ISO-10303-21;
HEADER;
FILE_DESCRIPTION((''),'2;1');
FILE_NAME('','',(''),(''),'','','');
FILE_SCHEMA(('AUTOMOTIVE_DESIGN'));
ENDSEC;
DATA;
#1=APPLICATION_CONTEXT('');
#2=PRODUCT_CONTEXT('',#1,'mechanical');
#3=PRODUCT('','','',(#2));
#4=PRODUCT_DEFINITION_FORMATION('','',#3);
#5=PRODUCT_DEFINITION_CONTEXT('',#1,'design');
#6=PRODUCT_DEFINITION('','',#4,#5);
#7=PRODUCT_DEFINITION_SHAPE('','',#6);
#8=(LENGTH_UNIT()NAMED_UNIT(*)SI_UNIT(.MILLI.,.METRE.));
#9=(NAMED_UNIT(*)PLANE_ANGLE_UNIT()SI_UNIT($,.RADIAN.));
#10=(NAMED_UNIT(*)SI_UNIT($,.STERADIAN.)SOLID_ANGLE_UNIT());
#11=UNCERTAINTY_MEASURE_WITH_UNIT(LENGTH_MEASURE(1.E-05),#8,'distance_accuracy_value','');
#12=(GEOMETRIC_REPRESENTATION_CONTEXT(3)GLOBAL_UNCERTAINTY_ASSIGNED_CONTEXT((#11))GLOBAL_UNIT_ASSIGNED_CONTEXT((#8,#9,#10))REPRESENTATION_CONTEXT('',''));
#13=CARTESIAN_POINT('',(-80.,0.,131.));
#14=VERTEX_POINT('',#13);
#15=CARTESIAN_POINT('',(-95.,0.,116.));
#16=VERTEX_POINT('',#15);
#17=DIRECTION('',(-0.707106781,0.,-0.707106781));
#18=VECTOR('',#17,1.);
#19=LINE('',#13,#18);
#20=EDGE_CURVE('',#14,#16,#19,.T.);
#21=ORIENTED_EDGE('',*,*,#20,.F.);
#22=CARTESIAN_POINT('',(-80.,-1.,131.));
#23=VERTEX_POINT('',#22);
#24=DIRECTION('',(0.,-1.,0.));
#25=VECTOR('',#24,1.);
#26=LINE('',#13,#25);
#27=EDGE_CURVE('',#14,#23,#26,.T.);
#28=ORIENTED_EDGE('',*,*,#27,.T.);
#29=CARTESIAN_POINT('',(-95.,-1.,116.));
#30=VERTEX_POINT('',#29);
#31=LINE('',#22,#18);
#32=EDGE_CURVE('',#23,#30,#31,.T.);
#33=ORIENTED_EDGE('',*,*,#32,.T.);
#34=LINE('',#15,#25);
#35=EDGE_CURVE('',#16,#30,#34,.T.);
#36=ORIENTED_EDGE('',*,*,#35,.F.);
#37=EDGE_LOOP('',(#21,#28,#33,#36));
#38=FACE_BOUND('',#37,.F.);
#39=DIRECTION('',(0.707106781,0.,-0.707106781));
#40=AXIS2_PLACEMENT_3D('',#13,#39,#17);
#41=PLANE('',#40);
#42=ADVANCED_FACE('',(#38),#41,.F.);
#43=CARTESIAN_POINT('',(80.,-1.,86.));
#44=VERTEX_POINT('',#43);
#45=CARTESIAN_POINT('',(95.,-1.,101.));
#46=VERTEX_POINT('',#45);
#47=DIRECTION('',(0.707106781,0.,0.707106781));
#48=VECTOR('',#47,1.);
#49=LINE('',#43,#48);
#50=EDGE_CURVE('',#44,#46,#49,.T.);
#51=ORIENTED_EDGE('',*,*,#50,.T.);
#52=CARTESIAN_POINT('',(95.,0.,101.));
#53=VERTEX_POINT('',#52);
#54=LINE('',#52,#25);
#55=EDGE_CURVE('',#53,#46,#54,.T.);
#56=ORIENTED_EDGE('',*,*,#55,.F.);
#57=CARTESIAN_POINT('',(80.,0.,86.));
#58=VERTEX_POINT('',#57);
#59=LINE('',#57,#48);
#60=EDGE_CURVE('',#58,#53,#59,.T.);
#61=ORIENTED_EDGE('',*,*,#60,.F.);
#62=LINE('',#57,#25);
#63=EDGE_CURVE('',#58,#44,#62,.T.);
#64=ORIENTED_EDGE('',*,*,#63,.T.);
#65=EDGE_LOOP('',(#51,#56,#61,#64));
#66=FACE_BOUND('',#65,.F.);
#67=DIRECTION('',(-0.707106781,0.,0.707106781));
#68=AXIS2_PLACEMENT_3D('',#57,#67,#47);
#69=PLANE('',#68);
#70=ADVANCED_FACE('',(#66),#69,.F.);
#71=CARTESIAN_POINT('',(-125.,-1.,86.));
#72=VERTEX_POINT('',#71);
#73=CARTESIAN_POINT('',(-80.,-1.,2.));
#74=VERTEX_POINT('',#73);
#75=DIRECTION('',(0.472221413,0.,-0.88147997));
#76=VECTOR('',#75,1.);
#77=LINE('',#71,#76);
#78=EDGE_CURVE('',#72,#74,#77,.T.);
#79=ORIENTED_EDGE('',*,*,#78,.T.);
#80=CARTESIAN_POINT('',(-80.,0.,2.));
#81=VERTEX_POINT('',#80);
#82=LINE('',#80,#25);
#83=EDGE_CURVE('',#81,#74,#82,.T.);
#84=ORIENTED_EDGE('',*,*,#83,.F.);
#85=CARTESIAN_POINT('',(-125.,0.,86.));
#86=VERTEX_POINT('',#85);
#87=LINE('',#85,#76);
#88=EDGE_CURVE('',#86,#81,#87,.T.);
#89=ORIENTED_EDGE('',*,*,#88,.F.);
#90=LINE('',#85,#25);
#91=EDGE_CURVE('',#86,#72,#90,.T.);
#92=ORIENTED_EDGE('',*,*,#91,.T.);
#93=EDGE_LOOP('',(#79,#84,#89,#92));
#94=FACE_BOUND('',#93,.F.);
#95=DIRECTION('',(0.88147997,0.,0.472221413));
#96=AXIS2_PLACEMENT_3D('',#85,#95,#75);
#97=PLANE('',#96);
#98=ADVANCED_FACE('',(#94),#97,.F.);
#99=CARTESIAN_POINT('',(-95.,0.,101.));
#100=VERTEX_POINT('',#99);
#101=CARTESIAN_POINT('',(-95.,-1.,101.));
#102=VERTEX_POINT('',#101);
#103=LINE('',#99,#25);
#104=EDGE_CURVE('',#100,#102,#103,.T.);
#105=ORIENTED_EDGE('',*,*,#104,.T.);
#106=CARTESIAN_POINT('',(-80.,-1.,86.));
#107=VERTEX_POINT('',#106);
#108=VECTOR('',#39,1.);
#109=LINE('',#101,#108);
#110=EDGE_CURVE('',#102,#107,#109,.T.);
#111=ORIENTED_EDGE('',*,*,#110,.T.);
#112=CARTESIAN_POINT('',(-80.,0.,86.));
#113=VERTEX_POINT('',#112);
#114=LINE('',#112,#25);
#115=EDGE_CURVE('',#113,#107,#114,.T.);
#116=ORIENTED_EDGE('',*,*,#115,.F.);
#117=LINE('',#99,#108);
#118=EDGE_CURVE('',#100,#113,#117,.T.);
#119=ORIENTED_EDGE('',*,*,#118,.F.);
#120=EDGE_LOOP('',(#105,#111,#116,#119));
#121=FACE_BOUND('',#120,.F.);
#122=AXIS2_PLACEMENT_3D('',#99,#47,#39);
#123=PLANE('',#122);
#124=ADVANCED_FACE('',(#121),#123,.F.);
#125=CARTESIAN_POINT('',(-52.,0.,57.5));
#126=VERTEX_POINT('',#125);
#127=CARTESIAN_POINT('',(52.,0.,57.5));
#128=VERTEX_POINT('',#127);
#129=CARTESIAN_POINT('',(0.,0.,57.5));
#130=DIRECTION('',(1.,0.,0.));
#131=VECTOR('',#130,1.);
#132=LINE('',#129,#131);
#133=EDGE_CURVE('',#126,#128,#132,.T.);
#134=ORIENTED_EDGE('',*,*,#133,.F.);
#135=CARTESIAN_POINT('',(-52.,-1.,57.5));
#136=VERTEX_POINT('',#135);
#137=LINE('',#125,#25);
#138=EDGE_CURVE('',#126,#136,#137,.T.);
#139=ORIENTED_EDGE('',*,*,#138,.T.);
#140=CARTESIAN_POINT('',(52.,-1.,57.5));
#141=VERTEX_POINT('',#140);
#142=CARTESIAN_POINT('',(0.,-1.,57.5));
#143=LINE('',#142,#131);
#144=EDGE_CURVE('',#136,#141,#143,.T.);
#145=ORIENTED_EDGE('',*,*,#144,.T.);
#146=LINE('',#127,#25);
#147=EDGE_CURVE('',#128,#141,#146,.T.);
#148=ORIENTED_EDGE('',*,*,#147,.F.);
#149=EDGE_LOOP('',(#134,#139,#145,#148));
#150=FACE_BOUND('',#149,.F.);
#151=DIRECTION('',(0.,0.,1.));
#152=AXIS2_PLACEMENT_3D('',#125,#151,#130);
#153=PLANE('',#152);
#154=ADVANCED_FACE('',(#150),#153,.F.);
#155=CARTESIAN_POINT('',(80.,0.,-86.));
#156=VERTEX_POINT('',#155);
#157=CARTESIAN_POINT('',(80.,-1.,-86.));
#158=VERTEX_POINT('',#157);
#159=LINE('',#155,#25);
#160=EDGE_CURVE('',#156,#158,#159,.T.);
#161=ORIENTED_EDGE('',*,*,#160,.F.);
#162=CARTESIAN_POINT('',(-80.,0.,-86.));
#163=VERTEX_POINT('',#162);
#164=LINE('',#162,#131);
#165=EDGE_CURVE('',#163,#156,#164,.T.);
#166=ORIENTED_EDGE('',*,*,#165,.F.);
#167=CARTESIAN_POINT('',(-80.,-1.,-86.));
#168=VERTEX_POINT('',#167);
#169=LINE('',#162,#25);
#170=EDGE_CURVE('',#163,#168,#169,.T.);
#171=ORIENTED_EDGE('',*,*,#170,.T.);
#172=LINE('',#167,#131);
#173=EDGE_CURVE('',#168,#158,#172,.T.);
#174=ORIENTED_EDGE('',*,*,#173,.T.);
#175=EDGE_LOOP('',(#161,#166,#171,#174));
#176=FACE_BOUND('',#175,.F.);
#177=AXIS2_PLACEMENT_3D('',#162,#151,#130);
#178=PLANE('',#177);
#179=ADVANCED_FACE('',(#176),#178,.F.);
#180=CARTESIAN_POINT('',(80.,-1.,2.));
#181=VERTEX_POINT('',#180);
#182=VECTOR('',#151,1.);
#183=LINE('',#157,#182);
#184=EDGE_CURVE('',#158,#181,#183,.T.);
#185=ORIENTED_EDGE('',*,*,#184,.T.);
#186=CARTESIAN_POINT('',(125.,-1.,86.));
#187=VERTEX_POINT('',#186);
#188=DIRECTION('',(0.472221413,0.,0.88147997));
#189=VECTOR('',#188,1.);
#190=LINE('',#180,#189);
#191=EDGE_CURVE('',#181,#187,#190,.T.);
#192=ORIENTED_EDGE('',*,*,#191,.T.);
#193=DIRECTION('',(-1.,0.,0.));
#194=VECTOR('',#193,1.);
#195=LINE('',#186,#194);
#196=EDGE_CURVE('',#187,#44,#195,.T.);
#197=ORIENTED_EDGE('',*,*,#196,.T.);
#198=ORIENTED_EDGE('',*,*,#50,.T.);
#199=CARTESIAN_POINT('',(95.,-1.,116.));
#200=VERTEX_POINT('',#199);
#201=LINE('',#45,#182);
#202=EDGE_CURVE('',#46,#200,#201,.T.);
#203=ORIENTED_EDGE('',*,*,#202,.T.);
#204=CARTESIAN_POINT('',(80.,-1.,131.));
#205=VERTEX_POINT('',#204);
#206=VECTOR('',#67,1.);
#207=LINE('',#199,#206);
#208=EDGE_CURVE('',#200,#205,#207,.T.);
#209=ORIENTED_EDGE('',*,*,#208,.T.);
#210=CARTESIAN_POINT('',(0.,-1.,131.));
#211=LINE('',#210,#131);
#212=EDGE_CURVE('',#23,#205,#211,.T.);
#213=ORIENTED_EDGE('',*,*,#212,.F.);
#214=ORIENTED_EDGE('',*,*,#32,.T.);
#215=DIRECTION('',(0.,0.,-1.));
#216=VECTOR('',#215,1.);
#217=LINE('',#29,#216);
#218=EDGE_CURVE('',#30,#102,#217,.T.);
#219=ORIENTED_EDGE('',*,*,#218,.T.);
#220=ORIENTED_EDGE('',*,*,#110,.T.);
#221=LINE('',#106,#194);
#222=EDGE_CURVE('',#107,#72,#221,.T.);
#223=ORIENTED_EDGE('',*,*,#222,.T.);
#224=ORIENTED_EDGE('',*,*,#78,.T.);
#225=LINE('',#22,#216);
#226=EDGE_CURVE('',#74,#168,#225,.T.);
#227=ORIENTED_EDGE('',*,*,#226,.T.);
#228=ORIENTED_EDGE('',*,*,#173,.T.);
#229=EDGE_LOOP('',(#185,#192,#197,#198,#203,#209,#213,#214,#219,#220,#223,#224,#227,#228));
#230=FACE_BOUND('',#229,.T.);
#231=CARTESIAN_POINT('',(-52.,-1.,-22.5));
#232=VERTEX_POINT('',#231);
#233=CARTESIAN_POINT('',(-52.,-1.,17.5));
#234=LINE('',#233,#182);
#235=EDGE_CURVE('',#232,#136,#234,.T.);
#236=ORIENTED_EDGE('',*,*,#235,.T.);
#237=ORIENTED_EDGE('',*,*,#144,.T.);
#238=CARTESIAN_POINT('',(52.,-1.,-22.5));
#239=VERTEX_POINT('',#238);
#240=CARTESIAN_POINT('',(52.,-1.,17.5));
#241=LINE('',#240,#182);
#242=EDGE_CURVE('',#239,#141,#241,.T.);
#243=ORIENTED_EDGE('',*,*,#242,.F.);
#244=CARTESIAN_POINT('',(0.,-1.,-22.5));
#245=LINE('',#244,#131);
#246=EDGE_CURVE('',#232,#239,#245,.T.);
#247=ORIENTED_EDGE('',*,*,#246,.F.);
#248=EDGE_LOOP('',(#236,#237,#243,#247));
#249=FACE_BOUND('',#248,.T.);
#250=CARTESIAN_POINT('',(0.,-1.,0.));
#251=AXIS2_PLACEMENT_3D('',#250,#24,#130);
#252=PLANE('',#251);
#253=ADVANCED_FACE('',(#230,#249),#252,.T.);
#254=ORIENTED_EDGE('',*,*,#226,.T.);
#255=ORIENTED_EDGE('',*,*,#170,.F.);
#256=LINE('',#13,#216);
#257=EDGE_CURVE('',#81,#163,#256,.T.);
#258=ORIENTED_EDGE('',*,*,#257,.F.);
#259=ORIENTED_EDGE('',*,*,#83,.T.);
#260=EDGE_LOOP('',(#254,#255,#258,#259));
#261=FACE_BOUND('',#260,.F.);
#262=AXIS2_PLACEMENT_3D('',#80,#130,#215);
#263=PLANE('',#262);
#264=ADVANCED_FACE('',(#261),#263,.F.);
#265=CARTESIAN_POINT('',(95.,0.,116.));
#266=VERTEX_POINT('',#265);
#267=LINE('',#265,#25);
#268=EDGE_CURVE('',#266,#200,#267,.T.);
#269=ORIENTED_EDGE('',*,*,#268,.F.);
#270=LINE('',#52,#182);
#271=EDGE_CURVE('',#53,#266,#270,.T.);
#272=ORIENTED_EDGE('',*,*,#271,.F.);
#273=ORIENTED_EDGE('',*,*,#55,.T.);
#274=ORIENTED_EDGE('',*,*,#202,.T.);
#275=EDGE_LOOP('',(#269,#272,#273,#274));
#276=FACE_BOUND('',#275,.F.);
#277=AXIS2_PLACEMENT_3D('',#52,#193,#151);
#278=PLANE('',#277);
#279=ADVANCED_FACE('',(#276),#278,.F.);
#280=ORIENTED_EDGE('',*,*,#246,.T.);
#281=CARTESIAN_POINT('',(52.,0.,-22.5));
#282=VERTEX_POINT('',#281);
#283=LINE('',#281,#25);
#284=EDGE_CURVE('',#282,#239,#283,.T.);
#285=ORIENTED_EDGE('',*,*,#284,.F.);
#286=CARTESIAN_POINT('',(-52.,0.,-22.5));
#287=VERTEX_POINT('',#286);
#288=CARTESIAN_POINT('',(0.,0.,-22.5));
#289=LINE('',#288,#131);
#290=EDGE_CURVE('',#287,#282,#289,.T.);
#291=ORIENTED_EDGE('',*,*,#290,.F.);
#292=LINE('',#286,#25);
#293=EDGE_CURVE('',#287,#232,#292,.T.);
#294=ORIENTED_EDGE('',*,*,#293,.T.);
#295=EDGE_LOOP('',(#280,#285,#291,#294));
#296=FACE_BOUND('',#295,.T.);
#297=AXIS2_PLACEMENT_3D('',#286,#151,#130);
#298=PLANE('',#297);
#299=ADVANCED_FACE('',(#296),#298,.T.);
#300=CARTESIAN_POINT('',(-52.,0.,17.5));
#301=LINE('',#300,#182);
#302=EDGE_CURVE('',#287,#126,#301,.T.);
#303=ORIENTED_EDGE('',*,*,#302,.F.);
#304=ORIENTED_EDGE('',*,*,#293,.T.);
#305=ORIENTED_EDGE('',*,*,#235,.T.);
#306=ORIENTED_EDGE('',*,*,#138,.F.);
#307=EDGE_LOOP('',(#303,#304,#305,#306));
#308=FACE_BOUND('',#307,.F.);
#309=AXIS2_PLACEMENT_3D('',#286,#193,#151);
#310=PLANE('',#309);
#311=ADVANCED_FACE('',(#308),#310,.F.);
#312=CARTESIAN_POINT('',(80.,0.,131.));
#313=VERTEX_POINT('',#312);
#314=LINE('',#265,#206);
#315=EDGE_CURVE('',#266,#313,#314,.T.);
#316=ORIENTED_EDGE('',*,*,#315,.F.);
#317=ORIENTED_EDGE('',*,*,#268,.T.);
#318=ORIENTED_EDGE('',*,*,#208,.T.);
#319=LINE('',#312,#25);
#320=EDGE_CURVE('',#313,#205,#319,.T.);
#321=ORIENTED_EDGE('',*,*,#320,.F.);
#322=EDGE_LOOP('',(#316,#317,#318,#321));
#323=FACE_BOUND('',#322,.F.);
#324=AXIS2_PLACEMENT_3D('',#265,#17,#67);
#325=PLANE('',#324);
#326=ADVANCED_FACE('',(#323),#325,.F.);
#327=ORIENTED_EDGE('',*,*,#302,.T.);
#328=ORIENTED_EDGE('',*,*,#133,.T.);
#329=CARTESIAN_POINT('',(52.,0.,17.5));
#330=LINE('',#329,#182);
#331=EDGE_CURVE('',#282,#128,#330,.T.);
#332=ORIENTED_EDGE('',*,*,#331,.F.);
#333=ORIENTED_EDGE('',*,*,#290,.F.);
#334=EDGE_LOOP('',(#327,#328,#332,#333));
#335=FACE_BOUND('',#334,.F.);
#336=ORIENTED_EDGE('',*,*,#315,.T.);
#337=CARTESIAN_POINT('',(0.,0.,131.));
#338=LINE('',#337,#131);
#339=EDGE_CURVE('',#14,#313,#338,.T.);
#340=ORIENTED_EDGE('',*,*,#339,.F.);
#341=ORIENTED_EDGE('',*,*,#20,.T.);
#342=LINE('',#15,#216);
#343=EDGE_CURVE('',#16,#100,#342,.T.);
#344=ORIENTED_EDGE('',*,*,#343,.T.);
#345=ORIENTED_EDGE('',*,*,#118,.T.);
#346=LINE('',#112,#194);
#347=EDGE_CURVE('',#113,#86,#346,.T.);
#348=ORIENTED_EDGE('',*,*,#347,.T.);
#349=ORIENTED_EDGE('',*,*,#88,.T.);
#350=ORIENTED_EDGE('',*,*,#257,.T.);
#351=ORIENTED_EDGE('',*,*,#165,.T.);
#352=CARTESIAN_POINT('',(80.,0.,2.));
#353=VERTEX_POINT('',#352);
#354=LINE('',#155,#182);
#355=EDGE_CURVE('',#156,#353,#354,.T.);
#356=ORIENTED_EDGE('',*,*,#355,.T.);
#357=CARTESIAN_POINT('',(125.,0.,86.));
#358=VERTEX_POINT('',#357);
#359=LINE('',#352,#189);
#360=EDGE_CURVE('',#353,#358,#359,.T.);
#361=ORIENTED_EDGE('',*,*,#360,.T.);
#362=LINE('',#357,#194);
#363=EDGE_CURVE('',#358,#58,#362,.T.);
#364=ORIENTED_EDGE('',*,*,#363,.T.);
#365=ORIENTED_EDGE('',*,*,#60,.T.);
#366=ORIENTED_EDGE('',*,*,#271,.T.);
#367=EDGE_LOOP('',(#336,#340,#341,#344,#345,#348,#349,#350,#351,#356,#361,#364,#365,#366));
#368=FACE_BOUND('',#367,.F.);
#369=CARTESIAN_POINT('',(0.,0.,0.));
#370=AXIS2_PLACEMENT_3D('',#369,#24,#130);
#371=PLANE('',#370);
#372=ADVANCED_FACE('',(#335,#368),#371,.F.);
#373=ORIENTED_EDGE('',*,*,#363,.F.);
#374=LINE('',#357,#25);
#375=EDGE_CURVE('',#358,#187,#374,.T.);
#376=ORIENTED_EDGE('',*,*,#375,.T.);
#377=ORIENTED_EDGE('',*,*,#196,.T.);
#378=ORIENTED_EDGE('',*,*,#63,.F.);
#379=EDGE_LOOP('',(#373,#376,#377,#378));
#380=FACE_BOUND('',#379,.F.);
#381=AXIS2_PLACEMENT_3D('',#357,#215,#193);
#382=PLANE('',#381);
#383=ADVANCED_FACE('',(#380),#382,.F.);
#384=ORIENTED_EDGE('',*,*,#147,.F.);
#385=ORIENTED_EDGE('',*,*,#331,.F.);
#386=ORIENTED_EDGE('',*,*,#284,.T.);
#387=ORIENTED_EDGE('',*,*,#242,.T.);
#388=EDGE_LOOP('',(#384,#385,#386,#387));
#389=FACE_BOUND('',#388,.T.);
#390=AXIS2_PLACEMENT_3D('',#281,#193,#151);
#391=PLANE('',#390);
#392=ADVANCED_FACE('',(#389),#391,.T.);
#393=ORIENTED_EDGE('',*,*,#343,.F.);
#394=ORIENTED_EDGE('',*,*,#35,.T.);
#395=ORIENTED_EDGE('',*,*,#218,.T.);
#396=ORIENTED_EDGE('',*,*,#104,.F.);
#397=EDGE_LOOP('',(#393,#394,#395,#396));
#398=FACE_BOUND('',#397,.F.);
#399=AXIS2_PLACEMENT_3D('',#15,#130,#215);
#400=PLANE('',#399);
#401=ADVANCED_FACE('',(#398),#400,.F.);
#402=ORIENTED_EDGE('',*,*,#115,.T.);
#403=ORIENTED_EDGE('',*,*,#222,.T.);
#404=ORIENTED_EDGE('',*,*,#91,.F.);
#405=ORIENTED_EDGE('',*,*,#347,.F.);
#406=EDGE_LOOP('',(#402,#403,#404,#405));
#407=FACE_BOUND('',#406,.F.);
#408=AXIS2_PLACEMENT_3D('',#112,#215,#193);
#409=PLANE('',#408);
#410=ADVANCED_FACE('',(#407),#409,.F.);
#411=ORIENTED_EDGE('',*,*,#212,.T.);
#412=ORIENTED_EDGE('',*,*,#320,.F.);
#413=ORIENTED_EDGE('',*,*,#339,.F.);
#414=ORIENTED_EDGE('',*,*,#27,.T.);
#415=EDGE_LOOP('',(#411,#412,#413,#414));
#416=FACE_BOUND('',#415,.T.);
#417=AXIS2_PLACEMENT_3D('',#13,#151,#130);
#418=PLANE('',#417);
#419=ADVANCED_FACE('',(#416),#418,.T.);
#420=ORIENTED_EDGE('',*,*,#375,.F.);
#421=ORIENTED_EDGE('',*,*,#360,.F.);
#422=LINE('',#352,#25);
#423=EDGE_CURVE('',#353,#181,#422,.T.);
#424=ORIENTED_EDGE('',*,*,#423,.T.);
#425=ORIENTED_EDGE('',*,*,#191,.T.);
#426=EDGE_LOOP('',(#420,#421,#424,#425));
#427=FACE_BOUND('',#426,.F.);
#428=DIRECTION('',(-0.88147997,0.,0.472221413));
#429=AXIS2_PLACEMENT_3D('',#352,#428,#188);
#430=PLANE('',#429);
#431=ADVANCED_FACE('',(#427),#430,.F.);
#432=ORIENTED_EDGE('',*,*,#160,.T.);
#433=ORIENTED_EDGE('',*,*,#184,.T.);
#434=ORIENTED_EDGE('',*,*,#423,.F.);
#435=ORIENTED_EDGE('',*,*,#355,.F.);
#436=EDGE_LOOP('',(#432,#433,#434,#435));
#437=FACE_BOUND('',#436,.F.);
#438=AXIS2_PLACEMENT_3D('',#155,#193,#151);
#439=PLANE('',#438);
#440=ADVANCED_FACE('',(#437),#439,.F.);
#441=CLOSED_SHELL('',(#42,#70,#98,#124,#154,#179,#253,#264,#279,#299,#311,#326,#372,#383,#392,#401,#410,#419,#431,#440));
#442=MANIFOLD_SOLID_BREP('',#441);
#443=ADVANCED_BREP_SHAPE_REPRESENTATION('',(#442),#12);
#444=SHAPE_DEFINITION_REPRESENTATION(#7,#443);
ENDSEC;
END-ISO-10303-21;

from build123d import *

# Parameters (mm, degrees)
F0_W     = 104
F0_H     = 80
F0_W_2   = 160
F0_H_2   = 45
F1_DEPTH = 1


with BuildPart() as f1:
    # F0 (on Front) → F1 (new body)
    with BuildSketch(Plane.XZ):
        Polygon((-80, 86), (-80, 2), (-80, -86), (-1.5, -86), (4.5, -86), (80, -86), (80, 2), (80, 86), align=None)
        with Locations((0, 17.5)):
            Rectangle(F0_W, F0_H, mode=Mode.SUBTRACT)
        Polygon((102.5, 86), (80, 86), (80, 2), (125, 86), align=None)
        with Locations((0, 108.5)):
            Rectangle(F0_W_2, F0_H_2)
        Polygon((-95, 101), (-80, 86), (-80, 131), (-95, 116), align=None)
        Polygon((-80, 86), (-125, 86), (-80, 2), align=None)
        Polygon((80, 131), (80, 86), (95, 101), (95, 116), align=None)
    extrude(amount=F1_DEPTH)


solid = f1.part
